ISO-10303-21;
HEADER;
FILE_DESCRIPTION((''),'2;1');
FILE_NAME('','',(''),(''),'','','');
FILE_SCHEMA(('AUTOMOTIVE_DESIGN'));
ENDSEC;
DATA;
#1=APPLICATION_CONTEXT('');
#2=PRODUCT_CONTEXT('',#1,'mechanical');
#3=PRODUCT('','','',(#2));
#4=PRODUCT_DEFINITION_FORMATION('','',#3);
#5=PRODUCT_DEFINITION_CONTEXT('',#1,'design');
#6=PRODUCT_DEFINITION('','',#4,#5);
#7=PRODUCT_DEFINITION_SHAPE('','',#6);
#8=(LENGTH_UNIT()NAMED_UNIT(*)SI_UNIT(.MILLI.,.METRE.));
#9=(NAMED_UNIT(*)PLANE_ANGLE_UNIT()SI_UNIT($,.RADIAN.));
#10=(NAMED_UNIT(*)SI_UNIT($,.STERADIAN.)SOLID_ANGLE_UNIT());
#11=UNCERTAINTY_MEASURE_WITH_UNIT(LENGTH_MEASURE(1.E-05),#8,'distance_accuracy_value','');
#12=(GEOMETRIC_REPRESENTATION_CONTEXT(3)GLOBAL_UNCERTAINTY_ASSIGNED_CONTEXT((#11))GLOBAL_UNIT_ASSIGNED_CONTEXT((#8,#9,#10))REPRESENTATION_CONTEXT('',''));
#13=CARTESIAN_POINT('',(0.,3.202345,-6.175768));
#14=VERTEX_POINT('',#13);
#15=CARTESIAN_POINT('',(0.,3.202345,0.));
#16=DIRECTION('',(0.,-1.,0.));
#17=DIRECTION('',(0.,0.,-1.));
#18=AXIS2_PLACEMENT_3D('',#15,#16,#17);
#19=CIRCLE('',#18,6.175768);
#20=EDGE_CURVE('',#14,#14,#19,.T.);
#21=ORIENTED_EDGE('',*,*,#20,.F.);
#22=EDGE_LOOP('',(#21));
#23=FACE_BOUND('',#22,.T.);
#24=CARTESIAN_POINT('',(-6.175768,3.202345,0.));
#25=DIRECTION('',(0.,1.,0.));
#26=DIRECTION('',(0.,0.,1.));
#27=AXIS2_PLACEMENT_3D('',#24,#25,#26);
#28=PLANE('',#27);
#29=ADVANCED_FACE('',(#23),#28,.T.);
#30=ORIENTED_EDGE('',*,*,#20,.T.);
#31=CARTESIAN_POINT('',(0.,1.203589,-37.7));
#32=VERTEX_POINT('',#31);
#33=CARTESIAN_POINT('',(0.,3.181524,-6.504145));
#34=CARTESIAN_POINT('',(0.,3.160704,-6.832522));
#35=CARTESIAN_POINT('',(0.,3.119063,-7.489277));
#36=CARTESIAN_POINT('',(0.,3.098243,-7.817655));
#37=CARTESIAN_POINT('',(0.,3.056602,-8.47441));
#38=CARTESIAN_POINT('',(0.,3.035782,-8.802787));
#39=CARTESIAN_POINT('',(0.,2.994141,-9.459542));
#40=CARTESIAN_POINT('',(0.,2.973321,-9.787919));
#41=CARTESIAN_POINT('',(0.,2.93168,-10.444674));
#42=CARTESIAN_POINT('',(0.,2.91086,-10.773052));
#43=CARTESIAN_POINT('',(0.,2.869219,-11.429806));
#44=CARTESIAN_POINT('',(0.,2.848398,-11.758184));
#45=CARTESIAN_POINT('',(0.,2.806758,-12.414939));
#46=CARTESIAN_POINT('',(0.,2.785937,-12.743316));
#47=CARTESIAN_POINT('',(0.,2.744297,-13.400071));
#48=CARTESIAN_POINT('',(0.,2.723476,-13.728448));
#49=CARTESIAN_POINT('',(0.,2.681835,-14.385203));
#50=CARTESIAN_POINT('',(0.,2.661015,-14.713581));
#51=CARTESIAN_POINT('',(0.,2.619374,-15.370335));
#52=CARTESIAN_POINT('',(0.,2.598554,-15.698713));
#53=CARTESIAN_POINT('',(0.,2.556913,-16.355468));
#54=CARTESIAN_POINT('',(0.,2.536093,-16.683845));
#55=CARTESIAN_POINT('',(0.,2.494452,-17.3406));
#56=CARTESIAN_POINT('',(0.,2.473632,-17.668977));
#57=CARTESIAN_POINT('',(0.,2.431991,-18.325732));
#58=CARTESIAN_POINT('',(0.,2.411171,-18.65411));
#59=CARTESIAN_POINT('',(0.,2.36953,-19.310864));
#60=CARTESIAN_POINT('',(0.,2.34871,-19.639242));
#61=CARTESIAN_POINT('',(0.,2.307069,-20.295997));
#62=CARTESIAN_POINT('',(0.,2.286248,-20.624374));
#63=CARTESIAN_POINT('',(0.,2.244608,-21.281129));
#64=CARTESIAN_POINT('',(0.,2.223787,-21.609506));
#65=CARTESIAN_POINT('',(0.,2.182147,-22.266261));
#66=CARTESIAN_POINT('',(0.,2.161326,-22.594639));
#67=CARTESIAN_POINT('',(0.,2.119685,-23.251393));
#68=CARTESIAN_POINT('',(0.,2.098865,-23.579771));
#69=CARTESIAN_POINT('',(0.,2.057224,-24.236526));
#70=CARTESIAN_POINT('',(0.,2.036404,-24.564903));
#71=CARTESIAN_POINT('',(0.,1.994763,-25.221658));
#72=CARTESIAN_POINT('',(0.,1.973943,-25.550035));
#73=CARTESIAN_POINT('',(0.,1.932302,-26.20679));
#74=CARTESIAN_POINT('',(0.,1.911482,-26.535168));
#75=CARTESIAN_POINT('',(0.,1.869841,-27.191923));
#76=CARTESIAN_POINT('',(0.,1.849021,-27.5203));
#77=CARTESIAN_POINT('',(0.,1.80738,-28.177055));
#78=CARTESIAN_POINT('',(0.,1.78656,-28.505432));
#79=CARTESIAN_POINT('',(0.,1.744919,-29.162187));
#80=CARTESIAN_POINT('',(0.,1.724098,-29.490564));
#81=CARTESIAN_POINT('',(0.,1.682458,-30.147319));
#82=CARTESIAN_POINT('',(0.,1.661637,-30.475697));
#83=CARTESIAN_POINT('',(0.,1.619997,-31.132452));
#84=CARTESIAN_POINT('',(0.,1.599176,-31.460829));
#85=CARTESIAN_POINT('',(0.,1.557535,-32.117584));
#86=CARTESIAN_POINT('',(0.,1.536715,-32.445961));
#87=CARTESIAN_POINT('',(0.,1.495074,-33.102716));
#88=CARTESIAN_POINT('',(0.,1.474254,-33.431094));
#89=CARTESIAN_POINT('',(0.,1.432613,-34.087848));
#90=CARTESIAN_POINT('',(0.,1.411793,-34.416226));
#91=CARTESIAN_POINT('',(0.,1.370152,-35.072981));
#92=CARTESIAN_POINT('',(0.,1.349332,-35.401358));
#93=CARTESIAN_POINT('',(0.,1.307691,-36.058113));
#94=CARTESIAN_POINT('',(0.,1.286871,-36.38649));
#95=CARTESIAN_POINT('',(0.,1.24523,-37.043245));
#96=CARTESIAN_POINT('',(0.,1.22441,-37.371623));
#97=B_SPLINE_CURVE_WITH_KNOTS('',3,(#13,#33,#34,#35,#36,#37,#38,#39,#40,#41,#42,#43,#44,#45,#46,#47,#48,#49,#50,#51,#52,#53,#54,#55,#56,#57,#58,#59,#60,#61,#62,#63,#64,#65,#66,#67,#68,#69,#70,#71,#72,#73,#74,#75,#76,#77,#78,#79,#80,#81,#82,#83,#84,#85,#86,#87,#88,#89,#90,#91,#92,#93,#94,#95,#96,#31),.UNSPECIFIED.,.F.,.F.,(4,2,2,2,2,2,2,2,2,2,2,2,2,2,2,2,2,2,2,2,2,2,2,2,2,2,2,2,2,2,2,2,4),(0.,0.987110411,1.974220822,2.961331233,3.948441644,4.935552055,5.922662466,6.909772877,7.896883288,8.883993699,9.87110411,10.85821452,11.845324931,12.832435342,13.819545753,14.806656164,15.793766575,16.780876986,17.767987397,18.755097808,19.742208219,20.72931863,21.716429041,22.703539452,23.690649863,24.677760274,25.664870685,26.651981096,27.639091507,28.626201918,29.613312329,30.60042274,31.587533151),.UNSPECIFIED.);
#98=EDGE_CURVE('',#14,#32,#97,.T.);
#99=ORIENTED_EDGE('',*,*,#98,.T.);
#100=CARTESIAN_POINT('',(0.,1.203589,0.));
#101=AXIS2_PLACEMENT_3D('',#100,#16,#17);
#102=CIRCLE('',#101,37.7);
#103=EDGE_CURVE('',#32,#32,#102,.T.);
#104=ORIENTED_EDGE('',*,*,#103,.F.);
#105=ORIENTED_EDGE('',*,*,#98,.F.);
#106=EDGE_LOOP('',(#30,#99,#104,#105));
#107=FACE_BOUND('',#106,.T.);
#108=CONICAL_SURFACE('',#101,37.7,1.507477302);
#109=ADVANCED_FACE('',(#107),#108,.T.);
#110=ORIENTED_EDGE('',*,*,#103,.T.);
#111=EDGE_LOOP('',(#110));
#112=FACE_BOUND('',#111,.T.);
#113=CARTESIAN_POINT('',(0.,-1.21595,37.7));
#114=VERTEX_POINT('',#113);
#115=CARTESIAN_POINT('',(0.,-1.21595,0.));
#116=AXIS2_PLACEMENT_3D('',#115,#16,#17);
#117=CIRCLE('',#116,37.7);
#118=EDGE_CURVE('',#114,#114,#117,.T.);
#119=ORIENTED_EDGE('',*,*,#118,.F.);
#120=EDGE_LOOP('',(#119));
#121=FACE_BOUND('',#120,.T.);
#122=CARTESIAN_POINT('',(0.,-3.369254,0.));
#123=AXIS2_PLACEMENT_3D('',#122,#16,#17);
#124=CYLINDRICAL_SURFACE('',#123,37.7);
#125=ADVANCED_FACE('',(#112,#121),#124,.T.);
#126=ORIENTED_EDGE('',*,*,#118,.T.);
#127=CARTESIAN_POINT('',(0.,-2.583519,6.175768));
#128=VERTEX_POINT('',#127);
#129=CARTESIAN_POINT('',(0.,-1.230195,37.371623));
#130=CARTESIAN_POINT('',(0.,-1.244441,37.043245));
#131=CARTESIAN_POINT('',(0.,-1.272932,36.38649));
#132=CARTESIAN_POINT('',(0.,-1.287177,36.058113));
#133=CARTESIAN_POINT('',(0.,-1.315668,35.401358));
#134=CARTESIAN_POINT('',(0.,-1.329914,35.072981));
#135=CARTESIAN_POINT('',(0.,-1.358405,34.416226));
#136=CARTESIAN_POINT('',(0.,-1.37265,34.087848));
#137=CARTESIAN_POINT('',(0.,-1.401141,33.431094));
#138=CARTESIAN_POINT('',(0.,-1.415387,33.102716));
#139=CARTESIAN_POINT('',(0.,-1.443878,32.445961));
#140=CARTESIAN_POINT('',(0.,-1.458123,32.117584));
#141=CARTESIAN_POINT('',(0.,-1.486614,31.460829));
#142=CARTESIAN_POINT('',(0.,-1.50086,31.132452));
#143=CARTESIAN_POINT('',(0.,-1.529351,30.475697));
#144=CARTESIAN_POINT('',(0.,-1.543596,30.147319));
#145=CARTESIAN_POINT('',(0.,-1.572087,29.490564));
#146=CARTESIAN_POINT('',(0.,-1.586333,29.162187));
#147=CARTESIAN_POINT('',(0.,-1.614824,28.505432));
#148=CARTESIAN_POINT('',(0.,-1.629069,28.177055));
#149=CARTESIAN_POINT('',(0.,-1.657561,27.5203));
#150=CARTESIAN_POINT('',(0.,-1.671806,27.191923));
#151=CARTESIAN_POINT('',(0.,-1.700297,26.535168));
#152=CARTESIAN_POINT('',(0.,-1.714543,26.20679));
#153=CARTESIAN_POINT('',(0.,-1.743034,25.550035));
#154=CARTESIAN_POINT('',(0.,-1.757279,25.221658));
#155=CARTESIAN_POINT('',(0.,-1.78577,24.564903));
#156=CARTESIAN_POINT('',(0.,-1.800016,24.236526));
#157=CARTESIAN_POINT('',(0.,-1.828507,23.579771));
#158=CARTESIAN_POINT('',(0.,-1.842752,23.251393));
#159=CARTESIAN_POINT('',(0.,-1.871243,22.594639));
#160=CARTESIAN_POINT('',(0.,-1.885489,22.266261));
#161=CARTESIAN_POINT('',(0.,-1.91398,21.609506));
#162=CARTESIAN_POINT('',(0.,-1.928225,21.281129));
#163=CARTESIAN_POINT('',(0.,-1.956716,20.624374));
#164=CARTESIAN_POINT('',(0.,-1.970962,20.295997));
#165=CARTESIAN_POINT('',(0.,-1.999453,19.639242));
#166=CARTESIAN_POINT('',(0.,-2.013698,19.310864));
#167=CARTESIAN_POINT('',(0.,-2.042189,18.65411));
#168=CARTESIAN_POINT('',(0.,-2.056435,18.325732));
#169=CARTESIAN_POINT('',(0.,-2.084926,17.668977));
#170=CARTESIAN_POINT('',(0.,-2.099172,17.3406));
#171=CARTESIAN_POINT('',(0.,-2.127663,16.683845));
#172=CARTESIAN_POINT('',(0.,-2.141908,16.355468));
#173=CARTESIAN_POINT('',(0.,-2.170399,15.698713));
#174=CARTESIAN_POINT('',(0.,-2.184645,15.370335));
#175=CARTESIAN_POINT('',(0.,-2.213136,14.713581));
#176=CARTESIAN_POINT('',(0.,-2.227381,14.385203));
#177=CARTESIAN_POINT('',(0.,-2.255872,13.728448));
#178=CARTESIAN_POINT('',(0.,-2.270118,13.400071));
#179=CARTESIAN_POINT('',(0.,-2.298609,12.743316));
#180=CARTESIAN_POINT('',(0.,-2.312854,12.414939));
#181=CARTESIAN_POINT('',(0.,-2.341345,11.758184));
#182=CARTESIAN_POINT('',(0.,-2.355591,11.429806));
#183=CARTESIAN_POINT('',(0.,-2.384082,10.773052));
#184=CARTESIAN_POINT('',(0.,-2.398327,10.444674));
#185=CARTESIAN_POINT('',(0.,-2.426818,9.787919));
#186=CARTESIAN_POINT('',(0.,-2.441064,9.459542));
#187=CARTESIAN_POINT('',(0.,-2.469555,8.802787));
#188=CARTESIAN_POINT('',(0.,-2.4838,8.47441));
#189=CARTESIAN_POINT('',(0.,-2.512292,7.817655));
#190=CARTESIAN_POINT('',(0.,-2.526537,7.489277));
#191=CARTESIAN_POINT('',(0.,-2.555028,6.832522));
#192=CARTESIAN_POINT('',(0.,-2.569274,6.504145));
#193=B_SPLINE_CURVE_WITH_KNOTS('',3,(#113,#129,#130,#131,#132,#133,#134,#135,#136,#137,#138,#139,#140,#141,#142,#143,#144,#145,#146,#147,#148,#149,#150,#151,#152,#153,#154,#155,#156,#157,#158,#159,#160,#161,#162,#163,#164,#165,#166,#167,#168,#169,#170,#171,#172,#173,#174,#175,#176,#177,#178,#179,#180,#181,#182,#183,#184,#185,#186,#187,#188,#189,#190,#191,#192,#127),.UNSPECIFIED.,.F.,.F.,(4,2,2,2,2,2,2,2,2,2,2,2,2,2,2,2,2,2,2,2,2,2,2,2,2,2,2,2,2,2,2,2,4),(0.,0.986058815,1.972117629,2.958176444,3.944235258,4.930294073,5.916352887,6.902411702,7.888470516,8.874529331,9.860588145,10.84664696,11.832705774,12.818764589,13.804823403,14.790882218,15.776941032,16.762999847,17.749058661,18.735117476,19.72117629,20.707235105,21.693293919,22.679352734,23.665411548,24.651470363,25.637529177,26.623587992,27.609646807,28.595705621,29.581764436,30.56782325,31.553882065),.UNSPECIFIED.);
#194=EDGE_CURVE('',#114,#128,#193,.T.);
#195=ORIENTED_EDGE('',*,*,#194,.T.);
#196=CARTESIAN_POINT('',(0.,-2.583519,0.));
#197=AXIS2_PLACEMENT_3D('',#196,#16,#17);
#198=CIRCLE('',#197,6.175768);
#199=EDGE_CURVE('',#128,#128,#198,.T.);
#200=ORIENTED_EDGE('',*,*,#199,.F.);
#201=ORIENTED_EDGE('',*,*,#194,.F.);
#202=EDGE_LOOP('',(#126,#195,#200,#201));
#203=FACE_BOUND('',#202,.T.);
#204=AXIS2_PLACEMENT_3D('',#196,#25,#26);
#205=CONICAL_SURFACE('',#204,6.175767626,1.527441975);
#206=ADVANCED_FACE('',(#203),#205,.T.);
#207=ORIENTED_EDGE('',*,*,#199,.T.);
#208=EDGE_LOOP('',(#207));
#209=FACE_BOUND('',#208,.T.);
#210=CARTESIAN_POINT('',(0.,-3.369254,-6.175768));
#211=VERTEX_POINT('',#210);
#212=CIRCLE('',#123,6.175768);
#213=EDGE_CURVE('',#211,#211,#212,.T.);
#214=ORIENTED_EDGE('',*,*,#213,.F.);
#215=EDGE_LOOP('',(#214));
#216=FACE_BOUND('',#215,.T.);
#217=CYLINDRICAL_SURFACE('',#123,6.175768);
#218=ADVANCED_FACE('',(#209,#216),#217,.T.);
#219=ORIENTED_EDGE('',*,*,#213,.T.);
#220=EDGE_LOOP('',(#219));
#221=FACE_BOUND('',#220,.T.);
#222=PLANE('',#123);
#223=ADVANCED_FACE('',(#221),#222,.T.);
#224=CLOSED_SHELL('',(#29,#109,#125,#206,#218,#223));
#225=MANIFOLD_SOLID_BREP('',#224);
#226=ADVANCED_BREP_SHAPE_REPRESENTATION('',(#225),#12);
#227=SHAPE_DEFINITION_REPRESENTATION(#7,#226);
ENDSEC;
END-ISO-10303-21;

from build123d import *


with BuildPart() as part:
    # Sketch9 → Revolve1 (revolve)
    with BuildSketch(Plane.XY, mode=Mode.PRIVATE) as revolve1_sk:
        Polygon((0, -3.369253692), (6.175767626, -3.369253692), (6.175767626, -2.583519101), (37.7, -1.21594951), (37.7, 1.203589148), (6.175767626, 3.202344705), (0, 3.202344705), align=None)
    revolve(revolve1_sk.sketch.rotate(Axis((0, -3.369253692, 0), (0, 1, 0)), 90), axis=Axis((0, -3.369253692, 0), (0, 1, 0)))


solid = part.part
